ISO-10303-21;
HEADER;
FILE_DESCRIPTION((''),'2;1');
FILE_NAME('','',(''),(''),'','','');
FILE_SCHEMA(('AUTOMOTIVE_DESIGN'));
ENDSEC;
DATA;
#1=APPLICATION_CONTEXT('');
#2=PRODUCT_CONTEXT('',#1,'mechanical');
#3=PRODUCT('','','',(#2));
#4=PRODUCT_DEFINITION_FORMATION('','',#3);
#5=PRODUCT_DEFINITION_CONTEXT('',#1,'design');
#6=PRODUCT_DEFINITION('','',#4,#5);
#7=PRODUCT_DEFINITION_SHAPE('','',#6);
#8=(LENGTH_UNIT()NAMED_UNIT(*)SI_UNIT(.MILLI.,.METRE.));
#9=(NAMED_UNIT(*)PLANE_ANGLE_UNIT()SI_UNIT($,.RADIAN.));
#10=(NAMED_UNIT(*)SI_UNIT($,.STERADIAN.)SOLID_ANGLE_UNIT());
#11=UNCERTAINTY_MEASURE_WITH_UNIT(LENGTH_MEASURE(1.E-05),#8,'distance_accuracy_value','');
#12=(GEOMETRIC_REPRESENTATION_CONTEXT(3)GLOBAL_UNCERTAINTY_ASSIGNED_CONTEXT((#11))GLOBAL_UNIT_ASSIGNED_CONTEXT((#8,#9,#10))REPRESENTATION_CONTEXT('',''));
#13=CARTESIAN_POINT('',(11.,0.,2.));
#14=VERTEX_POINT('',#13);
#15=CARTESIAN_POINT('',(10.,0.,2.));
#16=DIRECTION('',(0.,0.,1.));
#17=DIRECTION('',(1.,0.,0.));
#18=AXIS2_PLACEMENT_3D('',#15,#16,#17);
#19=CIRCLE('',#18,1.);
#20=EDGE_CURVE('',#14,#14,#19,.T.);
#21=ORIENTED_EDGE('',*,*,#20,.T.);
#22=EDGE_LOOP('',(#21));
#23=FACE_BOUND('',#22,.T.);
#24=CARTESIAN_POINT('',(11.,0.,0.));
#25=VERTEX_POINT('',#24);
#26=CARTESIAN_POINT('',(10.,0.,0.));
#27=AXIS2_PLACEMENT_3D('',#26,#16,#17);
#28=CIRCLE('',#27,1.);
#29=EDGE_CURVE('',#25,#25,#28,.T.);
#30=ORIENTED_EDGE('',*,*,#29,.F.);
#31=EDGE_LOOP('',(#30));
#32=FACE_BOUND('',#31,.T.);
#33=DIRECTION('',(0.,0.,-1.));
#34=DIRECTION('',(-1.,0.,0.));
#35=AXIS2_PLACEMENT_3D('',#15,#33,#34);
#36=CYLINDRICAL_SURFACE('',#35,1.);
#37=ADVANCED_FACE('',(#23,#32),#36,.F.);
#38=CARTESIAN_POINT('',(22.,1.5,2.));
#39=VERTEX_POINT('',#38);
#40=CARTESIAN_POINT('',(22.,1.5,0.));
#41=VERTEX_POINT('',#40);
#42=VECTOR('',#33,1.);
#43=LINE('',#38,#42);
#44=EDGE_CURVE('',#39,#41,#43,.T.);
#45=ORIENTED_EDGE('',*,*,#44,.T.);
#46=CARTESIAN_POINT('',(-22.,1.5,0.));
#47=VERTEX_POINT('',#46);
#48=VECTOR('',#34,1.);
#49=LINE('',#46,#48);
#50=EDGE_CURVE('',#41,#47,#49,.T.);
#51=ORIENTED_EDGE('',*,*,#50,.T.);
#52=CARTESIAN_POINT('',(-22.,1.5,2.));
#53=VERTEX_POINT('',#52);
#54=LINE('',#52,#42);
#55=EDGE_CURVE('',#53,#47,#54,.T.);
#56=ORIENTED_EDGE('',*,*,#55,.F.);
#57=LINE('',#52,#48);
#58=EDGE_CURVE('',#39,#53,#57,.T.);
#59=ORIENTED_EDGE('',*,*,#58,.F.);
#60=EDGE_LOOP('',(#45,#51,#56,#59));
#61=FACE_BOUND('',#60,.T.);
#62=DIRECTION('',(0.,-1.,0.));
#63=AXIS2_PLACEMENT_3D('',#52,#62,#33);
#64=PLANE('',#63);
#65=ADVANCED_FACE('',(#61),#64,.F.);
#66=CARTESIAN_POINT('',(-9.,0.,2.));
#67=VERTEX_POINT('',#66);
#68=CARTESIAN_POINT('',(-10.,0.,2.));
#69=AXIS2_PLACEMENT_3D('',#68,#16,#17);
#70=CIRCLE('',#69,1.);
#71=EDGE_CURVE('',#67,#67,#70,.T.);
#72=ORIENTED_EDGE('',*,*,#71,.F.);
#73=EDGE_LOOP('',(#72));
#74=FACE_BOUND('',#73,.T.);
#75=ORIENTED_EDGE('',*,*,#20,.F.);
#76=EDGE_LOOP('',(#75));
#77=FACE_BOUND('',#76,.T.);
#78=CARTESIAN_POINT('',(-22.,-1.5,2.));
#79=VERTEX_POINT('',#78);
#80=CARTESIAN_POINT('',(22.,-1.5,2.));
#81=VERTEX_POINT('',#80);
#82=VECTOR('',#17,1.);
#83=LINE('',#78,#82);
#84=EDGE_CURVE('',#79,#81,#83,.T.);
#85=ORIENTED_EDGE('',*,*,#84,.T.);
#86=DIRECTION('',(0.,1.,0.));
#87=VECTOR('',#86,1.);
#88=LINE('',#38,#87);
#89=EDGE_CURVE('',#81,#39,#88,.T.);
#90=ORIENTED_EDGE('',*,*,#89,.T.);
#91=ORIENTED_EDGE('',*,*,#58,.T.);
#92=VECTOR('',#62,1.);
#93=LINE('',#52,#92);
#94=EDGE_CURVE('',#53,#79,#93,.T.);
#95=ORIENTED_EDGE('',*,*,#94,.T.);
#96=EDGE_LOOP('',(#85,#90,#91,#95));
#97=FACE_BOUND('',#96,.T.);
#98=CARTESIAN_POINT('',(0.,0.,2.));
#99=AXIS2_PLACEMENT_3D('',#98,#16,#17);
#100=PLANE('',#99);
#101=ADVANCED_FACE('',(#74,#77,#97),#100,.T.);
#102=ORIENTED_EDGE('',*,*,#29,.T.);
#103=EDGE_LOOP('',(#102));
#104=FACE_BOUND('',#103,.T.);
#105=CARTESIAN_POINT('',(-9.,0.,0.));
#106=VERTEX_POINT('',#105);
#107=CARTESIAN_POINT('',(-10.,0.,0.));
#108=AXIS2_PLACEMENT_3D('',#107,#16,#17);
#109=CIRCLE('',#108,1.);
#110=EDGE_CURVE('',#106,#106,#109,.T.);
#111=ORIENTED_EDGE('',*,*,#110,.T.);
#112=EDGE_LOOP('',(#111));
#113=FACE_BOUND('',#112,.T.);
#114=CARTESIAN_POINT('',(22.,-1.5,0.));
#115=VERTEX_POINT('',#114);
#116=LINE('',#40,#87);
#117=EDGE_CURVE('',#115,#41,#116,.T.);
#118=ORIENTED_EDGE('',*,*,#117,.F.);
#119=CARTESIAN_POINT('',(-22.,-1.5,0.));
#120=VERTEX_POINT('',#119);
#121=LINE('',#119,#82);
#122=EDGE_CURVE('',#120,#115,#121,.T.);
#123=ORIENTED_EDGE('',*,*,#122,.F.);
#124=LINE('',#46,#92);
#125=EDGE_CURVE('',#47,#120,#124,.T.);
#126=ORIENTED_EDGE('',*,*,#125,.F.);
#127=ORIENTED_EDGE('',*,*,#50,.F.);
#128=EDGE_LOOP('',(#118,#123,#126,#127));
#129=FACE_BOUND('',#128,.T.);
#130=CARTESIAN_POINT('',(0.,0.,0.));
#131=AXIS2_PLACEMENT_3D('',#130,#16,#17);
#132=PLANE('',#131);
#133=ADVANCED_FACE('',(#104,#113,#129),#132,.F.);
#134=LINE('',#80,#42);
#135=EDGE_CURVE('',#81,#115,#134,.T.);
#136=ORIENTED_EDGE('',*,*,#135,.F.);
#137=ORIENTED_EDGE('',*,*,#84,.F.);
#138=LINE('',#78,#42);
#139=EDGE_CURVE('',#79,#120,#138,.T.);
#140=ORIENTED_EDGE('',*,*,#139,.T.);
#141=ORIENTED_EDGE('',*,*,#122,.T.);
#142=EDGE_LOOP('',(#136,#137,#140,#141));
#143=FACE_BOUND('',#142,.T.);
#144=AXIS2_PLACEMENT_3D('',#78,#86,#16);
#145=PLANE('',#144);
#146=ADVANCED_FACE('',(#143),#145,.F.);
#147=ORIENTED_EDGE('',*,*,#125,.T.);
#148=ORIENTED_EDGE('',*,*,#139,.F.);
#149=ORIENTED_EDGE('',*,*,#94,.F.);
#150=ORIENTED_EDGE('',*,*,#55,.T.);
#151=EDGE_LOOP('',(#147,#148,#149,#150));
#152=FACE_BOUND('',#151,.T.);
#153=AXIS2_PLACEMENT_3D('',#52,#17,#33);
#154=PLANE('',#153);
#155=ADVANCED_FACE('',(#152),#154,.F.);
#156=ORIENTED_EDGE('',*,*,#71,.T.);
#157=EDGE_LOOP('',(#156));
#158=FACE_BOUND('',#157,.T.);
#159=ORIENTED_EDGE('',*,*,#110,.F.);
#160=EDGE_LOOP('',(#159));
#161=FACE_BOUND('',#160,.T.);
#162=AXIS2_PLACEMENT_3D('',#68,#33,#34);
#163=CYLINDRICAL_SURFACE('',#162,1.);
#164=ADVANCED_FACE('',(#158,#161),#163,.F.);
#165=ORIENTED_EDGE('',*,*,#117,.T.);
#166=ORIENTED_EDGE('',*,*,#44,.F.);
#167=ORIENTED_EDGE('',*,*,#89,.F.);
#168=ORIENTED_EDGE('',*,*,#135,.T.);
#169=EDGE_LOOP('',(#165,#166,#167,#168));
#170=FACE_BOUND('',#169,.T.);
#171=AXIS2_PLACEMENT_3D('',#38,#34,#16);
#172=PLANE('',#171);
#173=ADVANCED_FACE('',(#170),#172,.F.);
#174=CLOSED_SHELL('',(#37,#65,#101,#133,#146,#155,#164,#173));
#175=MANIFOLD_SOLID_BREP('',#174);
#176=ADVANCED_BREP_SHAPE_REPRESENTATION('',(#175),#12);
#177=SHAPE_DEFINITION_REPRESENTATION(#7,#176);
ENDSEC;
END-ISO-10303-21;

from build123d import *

# Parameters (mm, degrees)
SKETCH_1_W      = 44
SKETCH_1_H      = 3
SKETCH_1_R      = 1
EXTRUDE_1_DEPTH = 2


with BuildPart() as part:
    # 草图1 → 凸台-拉伸1 (new body)
    with BuildSketch(Plane.XY):
        Rectangle(SKETCH_1_W, SKETCH_1_H)
        with Locations((-10, 0)):
            Circle(SKETCH_1_R, mode=Mode.SUBTRACT)
        with Locations((10, 0)):
            Circle(SKETCH_1_R, mode=Mode.SUBTRACT)
    extrude(amount=EXTRUDE_1_DEPTH)


solid = part.part
